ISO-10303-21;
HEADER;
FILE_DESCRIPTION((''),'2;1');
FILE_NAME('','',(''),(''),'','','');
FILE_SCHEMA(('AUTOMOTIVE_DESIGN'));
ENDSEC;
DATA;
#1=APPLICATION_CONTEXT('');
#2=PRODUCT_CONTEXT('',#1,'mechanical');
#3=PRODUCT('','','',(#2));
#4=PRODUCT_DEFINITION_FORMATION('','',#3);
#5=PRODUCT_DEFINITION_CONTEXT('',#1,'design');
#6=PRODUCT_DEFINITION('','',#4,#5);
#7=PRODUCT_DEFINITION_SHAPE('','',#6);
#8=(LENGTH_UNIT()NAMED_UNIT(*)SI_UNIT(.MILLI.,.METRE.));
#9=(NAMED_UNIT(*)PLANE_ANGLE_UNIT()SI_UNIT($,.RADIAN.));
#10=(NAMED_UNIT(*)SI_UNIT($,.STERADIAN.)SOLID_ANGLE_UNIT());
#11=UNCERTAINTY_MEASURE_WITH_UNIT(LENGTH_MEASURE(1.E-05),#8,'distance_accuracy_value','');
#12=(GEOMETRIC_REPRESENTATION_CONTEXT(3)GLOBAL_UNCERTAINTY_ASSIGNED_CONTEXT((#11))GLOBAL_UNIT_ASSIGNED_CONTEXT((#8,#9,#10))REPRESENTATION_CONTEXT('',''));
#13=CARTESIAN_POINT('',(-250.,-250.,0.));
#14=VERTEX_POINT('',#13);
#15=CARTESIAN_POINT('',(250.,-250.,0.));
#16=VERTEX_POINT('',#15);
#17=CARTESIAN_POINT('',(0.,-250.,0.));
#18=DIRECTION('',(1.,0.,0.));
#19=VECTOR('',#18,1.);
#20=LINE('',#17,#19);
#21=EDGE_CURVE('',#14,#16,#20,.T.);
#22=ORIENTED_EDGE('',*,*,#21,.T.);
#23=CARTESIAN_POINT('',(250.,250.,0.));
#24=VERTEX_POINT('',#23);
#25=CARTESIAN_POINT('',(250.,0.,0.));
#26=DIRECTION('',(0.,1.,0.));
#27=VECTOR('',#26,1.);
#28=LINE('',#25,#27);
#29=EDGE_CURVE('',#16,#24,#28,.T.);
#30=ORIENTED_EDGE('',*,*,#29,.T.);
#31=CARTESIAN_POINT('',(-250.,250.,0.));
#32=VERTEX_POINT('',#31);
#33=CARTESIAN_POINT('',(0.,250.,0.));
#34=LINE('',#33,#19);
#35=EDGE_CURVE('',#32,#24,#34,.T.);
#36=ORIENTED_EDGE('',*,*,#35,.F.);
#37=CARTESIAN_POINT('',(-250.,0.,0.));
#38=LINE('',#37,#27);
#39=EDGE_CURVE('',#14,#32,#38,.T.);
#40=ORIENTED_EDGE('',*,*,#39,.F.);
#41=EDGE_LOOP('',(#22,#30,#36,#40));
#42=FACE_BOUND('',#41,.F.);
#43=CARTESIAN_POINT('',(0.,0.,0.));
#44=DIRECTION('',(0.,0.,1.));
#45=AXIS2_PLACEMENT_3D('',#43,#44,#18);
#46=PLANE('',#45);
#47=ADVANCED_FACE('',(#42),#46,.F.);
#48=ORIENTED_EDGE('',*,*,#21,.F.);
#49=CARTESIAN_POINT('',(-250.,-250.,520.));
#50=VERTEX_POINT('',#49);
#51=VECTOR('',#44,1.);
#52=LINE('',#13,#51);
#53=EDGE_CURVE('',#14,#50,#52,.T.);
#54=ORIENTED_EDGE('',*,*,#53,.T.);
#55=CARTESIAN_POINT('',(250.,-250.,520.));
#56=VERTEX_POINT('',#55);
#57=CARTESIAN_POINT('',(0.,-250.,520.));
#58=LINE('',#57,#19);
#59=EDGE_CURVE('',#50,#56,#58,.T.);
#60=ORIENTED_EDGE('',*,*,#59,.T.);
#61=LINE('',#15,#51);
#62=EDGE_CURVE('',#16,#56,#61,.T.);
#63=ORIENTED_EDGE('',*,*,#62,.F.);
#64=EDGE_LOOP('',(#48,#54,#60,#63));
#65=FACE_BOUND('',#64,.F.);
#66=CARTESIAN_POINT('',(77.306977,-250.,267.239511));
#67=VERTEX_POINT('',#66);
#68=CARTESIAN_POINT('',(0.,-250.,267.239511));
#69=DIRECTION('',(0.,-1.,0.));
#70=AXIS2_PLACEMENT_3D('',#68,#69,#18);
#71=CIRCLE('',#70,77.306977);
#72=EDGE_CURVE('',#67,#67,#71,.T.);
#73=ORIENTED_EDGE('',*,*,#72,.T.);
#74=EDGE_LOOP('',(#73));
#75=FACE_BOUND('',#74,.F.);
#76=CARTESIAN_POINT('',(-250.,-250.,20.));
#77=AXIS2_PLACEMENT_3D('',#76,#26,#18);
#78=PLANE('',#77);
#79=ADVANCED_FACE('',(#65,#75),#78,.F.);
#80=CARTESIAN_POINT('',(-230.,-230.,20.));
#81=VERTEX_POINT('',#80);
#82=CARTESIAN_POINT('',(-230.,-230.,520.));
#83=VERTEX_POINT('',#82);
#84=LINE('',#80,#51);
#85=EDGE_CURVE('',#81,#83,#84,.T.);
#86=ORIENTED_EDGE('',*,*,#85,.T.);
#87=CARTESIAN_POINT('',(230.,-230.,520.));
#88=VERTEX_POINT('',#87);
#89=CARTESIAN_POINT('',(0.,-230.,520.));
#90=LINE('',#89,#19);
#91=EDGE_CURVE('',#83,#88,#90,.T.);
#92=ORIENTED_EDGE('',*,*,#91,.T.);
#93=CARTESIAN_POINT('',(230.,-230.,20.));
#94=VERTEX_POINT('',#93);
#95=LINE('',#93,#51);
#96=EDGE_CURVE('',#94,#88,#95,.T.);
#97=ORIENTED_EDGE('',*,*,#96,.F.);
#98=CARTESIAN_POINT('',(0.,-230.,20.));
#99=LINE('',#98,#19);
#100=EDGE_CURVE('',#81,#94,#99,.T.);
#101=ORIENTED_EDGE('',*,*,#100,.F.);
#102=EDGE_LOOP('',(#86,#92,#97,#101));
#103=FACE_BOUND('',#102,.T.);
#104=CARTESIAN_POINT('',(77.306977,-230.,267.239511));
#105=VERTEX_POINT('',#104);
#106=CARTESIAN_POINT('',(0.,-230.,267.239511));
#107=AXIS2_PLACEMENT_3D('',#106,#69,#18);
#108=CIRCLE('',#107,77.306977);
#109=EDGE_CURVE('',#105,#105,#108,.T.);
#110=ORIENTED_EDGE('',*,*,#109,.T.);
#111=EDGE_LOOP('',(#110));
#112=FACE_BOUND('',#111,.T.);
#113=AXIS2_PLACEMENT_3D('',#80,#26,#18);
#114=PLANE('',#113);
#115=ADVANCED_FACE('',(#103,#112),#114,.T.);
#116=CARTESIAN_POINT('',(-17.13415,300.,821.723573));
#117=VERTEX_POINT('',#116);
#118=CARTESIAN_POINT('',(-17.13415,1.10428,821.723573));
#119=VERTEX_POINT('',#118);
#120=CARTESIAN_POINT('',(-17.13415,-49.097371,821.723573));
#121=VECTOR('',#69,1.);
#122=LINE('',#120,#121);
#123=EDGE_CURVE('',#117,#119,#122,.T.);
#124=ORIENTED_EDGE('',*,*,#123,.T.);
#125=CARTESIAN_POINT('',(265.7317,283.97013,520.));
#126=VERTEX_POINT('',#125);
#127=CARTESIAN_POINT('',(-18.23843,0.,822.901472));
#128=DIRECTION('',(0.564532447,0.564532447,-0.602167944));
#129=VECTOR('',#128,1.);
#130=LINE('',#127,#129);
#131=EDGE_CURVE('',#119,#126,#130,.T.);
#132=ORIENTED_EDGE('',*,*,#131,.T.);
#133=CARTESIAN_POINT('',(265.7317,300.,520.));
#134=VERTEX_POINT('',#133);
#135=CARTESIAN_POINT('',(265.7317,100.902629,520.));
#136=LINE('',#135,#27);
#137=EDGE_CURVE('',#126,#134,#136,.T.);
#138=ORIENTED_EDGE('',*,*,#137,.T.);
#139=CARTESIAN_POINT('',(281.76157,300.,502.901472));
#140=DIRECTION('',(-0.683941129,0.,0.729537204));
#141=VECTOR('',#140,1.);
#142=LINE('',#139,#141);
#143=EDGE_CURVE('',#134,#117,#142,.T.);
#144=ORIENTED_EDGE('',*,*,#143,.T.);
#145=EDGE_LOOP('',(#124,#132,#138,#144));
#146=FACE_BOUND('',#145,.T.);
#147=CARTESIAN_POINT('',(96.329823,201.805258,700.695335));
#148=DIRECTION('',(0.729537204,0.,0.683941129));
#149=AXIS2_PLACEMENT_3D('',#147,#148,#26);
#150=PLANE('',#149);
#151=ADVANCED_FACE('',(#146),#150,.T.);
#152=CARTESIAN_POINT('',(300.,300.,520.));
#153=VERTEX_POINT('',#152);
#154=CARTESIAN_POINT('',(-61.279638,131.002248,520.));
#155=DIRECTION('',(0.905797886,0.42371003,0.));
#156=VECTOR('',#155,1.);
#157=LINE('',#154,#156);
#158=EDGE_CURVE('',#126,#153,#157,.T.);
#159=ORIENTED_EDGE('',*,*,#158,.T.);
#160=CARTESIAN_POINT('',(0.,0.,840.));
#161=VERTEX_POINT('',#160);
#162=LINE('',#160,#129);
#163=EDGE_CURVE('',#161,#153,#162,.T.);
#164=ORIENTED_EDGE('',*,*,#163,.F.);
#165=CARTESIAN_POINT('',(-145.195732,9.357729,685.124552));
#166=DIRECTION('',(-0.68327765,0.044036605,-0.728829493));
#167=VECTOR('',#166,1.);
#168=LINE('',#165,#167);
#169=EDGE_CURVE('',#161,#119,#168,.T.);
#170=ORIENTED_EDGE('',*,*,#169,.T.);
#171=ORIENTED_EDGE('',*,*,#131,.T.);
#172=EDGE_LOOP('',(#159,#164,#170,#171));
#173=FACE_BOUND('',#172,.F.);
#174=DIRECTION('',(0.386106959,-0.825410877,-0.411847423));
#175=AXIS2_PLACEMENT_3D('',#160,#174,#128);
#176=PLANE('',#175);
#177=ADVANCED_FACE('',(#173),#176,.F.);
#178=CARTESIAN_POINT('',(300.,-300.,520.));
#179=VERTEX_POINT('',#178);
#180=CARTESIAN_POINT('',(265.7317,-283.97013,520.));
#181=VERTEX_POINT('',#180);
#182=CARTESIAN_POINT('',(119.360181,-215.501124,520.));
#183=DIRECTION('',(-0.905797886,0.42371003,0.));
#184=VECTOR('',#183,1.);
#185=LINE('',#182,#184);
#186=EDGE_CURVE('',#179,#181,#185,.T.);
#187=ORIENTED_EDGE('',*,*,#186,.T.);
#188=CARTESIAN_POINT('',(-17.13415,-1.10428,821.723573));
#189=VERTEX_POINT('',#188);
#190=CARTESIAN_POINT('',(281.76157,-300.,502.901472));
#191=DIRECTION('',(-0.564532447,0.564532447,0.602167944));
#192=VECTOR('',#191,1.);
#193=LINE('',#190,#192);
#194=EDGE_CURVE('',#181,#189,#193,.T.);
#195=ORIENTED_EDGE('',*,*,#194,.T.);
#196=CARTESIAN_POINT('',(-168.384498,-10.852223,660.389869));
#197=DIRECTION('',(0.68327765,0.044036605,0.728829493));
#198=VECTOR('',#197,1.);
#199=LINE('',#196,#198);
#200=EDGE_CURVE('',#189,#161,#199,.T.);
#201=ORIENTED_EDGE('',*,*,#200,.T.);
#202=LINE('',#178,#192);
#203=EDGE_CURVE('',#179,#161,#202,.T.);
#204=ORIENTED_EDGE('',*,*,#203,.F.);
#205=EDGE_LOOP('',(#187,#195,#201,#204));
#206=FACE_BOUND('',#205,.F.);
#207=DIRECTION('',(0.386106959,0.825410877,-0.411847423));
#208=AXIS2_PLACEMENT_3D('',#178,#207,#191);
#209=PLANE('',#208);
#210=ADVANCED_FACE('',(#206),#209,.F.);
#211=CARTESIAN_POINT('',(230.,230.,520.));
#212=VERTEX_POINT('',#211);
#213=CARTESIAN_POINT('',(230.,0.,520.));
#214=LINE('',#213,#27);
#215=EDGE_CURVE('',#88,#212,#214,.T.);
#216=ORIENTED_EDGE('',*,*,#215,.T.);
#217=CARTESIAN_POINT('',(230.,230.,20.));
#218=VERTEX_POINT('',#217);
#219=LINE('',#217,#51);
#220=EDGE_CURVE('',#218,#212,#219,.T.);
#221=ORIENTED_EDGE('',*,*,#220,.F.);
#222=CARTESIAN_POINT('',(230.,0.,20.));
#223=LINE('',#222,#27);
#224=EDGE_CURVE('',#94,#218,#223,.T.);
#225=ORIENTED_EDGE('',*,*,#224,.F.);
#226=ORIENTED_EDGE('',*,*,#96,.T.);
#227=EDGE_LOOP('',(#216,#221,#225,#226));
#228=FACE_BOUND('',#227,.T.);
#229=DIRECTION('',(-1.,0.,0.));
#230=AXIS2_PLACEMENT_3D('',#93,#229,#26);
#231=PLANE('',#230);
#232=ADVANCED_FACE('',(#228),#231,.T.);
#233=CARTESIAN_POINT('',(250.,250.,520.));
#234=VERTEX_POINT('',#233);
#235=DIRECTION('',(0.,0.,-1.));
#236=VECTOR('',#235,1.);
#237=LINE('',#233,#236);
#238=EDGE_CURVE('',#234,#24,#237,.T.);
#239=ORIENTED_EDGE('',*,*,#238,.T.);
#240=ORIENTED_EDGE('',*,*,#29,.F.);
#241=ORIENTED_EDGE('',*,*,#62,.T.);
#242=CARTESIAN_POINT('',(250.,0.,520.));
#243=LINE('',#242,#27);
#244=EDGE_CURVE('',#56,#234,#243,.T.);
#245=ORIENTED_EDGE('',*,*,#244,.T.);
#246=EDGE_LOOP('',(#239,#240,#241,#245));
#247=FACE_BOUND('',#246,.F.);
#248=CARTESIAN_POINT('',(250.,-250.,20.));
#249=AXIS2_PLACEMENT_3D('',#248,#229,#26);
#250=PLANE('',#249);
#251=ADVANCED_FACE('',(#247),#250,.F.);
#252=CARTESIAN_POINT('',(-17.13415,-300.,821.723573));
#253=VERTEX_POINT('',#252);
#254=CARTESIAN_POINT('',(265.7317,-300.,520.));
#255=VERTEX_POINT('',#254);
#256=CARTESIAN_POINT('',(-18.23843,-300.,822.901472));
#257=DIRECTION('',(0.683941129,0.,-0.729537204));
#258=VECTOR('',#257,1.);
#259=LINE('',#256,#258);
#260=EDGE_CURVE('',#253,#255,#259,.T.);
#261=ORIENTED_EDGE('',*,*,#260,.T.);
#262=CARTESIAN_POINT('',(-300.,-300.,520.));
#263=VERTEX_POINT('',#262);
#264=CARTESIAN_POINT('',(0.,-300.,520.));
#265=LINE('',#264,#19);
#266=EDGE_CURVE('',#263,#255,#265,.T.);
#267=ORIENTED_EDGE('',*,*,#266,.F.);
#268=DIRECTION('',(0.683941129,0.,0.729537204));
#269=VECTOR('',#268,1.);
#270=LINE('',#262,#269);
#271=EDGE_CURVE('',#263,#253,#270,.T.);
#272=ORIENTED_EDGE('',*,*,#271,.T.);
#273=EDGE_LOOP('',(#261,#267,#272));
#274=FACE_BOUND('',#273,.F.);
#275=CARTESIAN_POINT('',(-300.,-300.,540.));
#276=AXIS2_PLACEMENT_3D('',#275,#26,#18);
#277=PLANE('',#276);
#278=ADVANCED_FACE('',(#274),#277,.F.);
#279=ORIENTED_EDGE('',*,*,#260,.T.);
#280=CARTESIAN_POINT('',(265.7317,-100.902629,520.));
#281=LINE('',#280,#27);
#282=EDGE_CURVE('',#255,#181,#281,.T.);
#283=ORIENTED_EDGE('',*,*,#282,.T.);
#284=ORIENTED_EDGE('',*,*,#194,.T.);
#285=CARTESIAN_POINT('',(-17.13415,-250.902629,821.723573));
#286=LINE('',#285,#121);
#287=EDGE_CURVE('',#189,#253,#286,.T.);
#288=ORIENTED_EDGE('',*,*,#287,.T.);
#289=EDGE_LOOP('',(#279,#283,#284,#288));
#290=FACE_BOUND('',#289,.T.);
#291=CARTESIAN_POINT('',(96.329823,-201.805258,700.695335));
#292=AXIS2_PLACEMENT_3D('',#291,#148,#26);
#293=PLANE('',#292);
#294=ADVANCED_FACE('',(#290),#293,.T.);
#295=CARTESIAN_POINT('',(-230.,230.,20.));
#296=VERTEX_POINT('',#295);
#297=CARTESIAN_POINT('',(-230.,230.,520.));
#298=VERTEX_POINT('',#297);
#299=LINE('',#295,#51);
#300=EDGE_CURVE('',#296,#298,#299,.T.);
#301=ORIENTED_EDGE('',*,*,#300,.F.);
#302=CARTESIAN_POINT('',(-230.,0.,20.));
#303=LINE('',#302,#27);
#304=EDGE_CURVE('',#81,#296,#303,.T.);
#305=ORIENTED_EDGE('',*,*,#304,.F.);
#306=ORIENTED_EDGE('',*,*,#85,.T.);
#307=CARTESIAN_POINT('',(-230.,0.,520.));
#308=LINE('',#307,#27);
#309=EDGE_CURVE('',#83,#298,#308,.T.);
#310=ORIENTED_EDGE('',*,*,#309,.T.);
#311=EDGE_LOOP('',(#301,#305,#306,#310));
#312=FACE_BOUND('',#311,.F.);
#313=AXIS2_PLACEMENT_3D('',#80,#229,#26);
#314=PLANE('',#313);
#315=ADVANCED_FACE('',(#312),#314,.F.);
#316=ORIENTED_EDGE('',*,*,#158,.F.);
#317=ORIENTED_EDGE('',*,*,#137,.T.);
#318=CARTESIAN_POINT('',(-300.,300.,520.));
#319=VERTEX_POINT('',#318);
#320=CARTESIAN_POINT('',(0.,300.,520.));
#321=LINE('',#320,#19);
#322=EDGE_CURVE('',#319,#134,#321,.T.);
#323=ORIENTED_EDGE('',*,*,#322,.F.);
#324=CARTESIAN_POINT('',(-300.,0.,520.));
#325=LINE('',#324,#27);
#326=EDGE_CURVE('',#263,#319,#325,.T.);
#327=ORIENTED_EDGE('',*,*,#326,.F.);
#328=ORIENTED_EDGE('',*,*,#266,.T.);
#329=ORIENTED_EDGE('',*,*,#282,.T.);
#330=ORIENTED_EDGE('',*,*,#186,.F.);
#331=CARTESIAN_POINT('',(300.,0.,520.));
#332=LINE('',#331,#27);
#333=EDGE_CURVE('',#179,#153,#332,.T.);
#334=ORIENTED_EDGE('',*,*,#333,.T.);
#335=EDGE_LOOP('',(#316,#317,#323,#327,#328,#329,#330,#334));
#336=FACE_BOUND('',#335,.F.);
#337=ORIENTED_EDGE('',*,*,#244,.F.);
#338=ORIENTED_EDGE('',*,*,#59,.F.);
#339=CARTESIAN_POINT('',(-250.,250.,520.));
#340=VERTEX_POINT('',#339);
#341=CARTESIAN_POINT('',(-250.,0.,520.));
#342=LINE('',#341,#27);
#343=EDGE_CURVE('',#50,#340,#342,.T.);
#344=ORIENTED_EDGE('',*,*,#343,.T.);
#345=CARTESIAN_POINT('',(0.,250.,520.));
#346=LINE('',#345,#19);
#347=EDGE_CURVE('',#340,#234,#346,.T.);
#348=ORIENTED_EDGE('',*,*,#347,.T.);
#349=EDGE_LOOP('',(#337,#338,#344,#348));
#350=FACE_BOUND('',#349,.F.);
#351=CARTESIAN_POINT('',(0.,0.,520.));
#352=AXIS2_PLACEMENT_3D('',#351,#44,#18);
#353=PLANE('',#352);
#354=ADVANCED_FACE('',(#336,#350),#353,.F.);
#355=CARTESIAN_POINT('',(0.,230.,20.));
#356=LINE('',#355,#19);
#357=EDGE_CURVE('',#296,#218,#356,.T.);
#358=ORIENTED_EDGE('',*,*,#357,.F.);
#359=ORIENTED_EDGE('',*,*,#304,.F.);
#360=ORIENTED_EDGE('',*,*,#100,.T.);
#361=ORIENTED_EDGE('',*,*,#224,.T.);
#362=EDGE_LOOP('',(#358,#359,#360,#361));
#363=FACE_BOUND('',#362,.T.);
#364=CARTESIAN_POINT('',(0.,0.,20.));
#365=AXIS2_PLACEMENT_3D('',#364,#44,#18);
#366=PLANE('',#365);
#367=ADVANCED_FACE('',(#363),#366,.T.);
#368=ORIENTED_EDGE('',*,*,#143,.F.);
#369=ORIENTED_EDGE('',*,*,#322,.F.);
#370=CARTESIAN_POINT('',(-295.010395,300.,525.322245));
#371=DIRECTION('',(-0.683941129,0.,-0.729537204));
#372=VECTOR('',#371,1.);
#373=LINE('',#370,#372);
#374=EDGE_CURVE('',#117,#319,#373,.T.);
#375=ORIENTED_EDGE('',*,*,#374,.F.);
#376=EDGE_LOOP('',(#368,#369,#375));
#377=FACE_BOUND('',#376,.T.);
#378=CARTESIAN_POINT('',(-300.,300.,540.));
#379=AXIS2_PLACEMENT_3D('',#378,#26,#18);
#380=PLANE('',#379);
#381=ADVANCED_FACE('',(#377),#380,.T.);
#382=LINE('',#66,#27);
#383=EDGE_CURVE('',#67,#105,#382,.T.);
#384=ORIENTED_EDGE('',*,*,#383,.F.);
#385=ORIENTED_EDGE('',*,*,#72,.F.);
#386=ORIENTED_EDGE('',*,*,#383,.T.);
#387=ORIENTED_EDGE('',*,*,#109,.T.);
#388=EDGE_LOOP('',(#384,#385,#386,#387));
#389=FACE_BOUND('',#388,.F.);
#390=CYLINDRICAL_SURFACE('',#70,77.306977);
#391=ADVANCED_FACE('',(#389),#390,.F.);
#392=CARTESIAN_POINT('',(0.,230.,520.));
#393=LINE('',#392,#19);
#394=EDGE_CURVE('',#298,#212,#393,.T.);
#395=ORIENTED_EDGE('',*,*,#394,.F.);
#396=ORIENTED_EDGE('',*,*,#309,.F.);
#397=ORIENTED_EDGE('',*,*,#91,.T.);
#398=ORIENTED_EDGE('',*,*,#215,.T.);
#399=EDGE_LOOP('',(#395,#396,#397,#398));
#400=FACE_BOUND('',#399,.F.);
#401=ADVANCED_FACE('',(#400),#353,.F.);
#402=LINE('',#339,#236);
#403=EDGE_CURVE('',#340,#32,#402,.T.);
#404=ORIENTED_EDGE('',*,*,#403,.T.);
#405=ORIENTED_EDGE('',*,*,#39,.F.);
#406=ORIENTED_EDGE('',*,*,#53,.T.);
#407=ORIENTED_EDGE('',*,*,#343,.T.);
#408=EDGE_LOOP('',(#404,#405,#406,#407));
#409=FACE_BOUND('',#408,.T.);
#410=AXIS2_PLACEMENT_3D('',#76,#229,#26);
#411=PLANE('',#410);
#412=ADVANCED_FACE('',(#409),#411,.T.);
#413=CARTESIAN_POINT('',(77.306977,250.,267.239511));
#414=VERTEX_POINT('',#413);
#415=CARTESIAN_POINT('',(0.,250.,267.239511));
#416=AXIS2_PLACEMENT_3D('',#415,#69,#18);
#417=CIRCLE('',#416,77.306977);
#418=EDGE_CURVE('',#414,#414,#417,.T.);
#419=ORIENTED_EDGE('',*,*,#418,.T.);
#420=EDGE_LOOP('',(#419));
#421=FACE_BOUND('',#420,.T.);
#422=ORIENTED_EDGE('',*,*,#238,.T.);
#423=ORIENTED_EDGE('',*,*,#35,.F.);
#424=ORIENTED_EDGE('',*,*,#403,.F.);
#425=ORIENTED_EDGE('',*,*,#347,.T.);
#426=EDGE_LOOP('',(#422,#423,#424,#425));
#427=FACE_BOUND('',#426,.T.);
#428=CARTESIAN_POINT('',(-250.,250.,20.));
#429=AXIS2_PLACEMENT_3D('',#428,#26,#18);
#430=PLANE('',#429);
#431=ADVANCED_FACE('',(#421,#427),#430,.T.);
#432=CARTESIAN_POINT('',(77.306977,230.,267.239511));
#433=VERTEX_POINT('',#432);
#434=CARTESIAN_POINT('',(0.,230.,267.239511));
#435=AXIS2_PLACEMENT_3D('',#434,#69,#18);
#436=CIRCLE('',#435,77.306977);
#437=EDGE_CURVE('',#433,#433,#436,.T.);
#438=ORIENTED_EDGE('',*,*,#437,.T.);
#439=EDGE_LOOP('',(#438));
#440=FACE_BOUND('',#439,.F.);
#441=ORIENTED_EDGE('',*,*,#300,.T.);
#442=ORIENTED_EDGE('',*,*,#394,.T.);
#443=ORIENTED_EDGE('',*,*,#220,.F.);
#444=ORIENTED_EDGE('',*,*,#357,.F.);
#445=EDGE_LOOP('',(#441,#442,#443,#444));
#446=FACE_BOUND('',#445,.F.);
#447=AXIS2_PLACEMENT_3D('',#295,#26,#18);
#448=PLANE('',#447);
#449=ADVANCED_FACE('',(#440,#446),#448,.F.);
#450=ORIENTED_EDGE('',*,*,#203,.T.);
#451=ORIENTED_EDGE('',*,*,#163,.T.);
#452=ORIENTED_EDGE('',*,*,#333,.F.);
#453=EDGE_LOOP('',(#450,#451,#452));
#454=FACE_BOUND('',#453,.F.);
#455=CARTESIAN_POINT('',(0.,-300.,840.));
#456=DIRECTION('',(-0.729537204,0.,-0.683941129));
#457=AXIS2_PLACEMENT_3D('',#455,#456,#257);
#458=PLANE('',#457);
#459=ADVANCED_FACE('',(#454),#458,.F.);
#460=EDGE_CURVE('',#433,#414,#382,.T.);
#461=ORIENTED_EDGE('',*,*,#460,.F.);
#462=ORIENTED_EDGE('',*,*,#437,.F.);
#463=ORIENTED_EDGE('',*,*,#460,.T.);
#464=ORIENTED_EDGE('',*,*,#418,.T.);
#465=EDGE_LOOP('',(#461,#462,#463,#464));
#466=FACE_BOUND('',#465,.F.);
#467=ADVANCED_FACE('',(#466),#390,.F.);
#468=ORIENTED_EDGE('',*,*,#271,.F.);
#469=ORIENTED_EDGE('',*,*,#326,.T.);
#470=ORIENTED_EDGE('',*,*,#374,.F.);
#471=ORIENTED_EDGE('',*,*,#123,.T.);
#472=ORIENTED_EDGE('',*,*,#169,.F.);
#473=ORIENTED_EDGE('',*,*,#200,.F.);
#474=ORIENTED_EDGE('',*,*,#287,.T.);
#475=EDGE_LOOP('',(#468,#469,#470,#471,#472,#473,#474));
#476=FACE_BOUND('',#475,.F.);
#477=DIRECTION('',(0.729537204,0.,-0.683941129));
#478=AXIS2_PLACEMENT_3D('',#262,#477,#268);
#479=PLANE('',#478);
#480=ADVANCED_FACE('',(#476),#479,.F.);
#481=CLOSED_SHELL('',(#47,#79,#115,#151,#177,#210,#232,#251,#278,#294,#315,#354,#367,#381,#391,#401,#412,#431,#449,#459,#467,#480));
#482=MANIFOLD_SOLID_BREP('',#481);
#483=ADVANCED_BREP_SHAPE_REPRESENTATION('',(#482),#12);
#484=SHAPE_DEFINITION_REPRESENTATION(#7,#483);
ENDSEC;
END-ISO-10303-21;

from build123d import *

# Parameters (mm, degrees)
F0_W      = 500
F0_H      = 500
F1_DEPTH  = 20
F2_W      = 500
F2_H      = 500
F2_W_2    = 460
F2_H_2    = 460
F3_DEPTH  = 500
F4_R      = 77.3069770254
F5_DEPTH  = 500.001
F6_W      = 600
F6_H      = 600
F7_DEPTH  = 20
F8_DEPTH  = 300
F10_DEPTH = 600.001
F12_DEPTH = 25


with BuildPart() as f1:
    # F0 (on Top) → F1 (new body)
    with BuildSketch(Plane.XY):
        Rectangle(F0_W, F0_H)
    extrude(amount=F1_DEPTH)

    # F2 (on face) → F3 (join)
    with BuildSketch(Plane.XY.offset(20)):
        Rectangle(F2_W, F2_H)
        Rectangle(F2_W_2, F2_H_2, mode=Mode.SUBTRACT)
    extrude(amount=F3_DEPTH)

    # F4 (on face) → F5 (cut, through all)
    with BuildSketch(Plane.XZ.offset(250)):
        with Locations((0, 267.239511013)):
            Circle(F4_R)
    extrude(amount=-F5_DEPTH, mode=Mode.SUBTRACT)

    # F6 (on face) → F7 (join)
    with BuildSketch(Plane.XY.offset(520)):
        Rectangle(F6_W, F6_H)
    extrude(amount=F7_DEPTH)

    # F8 (add): a face of the model
    f8_faces = [f1.faces().sort_by_distance(p)[0] for p in [
        (0, 0, 540),
    ]]
    extrude(f8_faces, amount=F8_DEPTH)

    # F9 (on face) → F10 (cut, through all)
    with BuildSketch(Plane.XZ.offset(300)):
        Polygon((-300, 520), (0, 840), (-300, 840), align=None)
        Polygon((300, 840), (0, 840), (300, 520), align=None)
    extrude(amount=-F10_DEPTH, mode=Mode.SUBTRACT)

    # F11 (on face) → F12 (cut)
    with BuildSketch(Plane(origin=(419.1268191268, 0, 392.9313929314), x_dir=(0, 1, 0), z_dir=(0.7295372041, 0, 0.6839411289))):
        Polygon((-300, 174.1770074884), (0, 612.8112514777), (-300, 612.8112514777), align=None)
        Polygon((300, 612.8112514777), (0, 612.8112514777), (300, 174.1770074884), align=None)
    extrude(amount=-F12_DEPTH, mode=Mode.SUBTRACT)


solid = f1.part
